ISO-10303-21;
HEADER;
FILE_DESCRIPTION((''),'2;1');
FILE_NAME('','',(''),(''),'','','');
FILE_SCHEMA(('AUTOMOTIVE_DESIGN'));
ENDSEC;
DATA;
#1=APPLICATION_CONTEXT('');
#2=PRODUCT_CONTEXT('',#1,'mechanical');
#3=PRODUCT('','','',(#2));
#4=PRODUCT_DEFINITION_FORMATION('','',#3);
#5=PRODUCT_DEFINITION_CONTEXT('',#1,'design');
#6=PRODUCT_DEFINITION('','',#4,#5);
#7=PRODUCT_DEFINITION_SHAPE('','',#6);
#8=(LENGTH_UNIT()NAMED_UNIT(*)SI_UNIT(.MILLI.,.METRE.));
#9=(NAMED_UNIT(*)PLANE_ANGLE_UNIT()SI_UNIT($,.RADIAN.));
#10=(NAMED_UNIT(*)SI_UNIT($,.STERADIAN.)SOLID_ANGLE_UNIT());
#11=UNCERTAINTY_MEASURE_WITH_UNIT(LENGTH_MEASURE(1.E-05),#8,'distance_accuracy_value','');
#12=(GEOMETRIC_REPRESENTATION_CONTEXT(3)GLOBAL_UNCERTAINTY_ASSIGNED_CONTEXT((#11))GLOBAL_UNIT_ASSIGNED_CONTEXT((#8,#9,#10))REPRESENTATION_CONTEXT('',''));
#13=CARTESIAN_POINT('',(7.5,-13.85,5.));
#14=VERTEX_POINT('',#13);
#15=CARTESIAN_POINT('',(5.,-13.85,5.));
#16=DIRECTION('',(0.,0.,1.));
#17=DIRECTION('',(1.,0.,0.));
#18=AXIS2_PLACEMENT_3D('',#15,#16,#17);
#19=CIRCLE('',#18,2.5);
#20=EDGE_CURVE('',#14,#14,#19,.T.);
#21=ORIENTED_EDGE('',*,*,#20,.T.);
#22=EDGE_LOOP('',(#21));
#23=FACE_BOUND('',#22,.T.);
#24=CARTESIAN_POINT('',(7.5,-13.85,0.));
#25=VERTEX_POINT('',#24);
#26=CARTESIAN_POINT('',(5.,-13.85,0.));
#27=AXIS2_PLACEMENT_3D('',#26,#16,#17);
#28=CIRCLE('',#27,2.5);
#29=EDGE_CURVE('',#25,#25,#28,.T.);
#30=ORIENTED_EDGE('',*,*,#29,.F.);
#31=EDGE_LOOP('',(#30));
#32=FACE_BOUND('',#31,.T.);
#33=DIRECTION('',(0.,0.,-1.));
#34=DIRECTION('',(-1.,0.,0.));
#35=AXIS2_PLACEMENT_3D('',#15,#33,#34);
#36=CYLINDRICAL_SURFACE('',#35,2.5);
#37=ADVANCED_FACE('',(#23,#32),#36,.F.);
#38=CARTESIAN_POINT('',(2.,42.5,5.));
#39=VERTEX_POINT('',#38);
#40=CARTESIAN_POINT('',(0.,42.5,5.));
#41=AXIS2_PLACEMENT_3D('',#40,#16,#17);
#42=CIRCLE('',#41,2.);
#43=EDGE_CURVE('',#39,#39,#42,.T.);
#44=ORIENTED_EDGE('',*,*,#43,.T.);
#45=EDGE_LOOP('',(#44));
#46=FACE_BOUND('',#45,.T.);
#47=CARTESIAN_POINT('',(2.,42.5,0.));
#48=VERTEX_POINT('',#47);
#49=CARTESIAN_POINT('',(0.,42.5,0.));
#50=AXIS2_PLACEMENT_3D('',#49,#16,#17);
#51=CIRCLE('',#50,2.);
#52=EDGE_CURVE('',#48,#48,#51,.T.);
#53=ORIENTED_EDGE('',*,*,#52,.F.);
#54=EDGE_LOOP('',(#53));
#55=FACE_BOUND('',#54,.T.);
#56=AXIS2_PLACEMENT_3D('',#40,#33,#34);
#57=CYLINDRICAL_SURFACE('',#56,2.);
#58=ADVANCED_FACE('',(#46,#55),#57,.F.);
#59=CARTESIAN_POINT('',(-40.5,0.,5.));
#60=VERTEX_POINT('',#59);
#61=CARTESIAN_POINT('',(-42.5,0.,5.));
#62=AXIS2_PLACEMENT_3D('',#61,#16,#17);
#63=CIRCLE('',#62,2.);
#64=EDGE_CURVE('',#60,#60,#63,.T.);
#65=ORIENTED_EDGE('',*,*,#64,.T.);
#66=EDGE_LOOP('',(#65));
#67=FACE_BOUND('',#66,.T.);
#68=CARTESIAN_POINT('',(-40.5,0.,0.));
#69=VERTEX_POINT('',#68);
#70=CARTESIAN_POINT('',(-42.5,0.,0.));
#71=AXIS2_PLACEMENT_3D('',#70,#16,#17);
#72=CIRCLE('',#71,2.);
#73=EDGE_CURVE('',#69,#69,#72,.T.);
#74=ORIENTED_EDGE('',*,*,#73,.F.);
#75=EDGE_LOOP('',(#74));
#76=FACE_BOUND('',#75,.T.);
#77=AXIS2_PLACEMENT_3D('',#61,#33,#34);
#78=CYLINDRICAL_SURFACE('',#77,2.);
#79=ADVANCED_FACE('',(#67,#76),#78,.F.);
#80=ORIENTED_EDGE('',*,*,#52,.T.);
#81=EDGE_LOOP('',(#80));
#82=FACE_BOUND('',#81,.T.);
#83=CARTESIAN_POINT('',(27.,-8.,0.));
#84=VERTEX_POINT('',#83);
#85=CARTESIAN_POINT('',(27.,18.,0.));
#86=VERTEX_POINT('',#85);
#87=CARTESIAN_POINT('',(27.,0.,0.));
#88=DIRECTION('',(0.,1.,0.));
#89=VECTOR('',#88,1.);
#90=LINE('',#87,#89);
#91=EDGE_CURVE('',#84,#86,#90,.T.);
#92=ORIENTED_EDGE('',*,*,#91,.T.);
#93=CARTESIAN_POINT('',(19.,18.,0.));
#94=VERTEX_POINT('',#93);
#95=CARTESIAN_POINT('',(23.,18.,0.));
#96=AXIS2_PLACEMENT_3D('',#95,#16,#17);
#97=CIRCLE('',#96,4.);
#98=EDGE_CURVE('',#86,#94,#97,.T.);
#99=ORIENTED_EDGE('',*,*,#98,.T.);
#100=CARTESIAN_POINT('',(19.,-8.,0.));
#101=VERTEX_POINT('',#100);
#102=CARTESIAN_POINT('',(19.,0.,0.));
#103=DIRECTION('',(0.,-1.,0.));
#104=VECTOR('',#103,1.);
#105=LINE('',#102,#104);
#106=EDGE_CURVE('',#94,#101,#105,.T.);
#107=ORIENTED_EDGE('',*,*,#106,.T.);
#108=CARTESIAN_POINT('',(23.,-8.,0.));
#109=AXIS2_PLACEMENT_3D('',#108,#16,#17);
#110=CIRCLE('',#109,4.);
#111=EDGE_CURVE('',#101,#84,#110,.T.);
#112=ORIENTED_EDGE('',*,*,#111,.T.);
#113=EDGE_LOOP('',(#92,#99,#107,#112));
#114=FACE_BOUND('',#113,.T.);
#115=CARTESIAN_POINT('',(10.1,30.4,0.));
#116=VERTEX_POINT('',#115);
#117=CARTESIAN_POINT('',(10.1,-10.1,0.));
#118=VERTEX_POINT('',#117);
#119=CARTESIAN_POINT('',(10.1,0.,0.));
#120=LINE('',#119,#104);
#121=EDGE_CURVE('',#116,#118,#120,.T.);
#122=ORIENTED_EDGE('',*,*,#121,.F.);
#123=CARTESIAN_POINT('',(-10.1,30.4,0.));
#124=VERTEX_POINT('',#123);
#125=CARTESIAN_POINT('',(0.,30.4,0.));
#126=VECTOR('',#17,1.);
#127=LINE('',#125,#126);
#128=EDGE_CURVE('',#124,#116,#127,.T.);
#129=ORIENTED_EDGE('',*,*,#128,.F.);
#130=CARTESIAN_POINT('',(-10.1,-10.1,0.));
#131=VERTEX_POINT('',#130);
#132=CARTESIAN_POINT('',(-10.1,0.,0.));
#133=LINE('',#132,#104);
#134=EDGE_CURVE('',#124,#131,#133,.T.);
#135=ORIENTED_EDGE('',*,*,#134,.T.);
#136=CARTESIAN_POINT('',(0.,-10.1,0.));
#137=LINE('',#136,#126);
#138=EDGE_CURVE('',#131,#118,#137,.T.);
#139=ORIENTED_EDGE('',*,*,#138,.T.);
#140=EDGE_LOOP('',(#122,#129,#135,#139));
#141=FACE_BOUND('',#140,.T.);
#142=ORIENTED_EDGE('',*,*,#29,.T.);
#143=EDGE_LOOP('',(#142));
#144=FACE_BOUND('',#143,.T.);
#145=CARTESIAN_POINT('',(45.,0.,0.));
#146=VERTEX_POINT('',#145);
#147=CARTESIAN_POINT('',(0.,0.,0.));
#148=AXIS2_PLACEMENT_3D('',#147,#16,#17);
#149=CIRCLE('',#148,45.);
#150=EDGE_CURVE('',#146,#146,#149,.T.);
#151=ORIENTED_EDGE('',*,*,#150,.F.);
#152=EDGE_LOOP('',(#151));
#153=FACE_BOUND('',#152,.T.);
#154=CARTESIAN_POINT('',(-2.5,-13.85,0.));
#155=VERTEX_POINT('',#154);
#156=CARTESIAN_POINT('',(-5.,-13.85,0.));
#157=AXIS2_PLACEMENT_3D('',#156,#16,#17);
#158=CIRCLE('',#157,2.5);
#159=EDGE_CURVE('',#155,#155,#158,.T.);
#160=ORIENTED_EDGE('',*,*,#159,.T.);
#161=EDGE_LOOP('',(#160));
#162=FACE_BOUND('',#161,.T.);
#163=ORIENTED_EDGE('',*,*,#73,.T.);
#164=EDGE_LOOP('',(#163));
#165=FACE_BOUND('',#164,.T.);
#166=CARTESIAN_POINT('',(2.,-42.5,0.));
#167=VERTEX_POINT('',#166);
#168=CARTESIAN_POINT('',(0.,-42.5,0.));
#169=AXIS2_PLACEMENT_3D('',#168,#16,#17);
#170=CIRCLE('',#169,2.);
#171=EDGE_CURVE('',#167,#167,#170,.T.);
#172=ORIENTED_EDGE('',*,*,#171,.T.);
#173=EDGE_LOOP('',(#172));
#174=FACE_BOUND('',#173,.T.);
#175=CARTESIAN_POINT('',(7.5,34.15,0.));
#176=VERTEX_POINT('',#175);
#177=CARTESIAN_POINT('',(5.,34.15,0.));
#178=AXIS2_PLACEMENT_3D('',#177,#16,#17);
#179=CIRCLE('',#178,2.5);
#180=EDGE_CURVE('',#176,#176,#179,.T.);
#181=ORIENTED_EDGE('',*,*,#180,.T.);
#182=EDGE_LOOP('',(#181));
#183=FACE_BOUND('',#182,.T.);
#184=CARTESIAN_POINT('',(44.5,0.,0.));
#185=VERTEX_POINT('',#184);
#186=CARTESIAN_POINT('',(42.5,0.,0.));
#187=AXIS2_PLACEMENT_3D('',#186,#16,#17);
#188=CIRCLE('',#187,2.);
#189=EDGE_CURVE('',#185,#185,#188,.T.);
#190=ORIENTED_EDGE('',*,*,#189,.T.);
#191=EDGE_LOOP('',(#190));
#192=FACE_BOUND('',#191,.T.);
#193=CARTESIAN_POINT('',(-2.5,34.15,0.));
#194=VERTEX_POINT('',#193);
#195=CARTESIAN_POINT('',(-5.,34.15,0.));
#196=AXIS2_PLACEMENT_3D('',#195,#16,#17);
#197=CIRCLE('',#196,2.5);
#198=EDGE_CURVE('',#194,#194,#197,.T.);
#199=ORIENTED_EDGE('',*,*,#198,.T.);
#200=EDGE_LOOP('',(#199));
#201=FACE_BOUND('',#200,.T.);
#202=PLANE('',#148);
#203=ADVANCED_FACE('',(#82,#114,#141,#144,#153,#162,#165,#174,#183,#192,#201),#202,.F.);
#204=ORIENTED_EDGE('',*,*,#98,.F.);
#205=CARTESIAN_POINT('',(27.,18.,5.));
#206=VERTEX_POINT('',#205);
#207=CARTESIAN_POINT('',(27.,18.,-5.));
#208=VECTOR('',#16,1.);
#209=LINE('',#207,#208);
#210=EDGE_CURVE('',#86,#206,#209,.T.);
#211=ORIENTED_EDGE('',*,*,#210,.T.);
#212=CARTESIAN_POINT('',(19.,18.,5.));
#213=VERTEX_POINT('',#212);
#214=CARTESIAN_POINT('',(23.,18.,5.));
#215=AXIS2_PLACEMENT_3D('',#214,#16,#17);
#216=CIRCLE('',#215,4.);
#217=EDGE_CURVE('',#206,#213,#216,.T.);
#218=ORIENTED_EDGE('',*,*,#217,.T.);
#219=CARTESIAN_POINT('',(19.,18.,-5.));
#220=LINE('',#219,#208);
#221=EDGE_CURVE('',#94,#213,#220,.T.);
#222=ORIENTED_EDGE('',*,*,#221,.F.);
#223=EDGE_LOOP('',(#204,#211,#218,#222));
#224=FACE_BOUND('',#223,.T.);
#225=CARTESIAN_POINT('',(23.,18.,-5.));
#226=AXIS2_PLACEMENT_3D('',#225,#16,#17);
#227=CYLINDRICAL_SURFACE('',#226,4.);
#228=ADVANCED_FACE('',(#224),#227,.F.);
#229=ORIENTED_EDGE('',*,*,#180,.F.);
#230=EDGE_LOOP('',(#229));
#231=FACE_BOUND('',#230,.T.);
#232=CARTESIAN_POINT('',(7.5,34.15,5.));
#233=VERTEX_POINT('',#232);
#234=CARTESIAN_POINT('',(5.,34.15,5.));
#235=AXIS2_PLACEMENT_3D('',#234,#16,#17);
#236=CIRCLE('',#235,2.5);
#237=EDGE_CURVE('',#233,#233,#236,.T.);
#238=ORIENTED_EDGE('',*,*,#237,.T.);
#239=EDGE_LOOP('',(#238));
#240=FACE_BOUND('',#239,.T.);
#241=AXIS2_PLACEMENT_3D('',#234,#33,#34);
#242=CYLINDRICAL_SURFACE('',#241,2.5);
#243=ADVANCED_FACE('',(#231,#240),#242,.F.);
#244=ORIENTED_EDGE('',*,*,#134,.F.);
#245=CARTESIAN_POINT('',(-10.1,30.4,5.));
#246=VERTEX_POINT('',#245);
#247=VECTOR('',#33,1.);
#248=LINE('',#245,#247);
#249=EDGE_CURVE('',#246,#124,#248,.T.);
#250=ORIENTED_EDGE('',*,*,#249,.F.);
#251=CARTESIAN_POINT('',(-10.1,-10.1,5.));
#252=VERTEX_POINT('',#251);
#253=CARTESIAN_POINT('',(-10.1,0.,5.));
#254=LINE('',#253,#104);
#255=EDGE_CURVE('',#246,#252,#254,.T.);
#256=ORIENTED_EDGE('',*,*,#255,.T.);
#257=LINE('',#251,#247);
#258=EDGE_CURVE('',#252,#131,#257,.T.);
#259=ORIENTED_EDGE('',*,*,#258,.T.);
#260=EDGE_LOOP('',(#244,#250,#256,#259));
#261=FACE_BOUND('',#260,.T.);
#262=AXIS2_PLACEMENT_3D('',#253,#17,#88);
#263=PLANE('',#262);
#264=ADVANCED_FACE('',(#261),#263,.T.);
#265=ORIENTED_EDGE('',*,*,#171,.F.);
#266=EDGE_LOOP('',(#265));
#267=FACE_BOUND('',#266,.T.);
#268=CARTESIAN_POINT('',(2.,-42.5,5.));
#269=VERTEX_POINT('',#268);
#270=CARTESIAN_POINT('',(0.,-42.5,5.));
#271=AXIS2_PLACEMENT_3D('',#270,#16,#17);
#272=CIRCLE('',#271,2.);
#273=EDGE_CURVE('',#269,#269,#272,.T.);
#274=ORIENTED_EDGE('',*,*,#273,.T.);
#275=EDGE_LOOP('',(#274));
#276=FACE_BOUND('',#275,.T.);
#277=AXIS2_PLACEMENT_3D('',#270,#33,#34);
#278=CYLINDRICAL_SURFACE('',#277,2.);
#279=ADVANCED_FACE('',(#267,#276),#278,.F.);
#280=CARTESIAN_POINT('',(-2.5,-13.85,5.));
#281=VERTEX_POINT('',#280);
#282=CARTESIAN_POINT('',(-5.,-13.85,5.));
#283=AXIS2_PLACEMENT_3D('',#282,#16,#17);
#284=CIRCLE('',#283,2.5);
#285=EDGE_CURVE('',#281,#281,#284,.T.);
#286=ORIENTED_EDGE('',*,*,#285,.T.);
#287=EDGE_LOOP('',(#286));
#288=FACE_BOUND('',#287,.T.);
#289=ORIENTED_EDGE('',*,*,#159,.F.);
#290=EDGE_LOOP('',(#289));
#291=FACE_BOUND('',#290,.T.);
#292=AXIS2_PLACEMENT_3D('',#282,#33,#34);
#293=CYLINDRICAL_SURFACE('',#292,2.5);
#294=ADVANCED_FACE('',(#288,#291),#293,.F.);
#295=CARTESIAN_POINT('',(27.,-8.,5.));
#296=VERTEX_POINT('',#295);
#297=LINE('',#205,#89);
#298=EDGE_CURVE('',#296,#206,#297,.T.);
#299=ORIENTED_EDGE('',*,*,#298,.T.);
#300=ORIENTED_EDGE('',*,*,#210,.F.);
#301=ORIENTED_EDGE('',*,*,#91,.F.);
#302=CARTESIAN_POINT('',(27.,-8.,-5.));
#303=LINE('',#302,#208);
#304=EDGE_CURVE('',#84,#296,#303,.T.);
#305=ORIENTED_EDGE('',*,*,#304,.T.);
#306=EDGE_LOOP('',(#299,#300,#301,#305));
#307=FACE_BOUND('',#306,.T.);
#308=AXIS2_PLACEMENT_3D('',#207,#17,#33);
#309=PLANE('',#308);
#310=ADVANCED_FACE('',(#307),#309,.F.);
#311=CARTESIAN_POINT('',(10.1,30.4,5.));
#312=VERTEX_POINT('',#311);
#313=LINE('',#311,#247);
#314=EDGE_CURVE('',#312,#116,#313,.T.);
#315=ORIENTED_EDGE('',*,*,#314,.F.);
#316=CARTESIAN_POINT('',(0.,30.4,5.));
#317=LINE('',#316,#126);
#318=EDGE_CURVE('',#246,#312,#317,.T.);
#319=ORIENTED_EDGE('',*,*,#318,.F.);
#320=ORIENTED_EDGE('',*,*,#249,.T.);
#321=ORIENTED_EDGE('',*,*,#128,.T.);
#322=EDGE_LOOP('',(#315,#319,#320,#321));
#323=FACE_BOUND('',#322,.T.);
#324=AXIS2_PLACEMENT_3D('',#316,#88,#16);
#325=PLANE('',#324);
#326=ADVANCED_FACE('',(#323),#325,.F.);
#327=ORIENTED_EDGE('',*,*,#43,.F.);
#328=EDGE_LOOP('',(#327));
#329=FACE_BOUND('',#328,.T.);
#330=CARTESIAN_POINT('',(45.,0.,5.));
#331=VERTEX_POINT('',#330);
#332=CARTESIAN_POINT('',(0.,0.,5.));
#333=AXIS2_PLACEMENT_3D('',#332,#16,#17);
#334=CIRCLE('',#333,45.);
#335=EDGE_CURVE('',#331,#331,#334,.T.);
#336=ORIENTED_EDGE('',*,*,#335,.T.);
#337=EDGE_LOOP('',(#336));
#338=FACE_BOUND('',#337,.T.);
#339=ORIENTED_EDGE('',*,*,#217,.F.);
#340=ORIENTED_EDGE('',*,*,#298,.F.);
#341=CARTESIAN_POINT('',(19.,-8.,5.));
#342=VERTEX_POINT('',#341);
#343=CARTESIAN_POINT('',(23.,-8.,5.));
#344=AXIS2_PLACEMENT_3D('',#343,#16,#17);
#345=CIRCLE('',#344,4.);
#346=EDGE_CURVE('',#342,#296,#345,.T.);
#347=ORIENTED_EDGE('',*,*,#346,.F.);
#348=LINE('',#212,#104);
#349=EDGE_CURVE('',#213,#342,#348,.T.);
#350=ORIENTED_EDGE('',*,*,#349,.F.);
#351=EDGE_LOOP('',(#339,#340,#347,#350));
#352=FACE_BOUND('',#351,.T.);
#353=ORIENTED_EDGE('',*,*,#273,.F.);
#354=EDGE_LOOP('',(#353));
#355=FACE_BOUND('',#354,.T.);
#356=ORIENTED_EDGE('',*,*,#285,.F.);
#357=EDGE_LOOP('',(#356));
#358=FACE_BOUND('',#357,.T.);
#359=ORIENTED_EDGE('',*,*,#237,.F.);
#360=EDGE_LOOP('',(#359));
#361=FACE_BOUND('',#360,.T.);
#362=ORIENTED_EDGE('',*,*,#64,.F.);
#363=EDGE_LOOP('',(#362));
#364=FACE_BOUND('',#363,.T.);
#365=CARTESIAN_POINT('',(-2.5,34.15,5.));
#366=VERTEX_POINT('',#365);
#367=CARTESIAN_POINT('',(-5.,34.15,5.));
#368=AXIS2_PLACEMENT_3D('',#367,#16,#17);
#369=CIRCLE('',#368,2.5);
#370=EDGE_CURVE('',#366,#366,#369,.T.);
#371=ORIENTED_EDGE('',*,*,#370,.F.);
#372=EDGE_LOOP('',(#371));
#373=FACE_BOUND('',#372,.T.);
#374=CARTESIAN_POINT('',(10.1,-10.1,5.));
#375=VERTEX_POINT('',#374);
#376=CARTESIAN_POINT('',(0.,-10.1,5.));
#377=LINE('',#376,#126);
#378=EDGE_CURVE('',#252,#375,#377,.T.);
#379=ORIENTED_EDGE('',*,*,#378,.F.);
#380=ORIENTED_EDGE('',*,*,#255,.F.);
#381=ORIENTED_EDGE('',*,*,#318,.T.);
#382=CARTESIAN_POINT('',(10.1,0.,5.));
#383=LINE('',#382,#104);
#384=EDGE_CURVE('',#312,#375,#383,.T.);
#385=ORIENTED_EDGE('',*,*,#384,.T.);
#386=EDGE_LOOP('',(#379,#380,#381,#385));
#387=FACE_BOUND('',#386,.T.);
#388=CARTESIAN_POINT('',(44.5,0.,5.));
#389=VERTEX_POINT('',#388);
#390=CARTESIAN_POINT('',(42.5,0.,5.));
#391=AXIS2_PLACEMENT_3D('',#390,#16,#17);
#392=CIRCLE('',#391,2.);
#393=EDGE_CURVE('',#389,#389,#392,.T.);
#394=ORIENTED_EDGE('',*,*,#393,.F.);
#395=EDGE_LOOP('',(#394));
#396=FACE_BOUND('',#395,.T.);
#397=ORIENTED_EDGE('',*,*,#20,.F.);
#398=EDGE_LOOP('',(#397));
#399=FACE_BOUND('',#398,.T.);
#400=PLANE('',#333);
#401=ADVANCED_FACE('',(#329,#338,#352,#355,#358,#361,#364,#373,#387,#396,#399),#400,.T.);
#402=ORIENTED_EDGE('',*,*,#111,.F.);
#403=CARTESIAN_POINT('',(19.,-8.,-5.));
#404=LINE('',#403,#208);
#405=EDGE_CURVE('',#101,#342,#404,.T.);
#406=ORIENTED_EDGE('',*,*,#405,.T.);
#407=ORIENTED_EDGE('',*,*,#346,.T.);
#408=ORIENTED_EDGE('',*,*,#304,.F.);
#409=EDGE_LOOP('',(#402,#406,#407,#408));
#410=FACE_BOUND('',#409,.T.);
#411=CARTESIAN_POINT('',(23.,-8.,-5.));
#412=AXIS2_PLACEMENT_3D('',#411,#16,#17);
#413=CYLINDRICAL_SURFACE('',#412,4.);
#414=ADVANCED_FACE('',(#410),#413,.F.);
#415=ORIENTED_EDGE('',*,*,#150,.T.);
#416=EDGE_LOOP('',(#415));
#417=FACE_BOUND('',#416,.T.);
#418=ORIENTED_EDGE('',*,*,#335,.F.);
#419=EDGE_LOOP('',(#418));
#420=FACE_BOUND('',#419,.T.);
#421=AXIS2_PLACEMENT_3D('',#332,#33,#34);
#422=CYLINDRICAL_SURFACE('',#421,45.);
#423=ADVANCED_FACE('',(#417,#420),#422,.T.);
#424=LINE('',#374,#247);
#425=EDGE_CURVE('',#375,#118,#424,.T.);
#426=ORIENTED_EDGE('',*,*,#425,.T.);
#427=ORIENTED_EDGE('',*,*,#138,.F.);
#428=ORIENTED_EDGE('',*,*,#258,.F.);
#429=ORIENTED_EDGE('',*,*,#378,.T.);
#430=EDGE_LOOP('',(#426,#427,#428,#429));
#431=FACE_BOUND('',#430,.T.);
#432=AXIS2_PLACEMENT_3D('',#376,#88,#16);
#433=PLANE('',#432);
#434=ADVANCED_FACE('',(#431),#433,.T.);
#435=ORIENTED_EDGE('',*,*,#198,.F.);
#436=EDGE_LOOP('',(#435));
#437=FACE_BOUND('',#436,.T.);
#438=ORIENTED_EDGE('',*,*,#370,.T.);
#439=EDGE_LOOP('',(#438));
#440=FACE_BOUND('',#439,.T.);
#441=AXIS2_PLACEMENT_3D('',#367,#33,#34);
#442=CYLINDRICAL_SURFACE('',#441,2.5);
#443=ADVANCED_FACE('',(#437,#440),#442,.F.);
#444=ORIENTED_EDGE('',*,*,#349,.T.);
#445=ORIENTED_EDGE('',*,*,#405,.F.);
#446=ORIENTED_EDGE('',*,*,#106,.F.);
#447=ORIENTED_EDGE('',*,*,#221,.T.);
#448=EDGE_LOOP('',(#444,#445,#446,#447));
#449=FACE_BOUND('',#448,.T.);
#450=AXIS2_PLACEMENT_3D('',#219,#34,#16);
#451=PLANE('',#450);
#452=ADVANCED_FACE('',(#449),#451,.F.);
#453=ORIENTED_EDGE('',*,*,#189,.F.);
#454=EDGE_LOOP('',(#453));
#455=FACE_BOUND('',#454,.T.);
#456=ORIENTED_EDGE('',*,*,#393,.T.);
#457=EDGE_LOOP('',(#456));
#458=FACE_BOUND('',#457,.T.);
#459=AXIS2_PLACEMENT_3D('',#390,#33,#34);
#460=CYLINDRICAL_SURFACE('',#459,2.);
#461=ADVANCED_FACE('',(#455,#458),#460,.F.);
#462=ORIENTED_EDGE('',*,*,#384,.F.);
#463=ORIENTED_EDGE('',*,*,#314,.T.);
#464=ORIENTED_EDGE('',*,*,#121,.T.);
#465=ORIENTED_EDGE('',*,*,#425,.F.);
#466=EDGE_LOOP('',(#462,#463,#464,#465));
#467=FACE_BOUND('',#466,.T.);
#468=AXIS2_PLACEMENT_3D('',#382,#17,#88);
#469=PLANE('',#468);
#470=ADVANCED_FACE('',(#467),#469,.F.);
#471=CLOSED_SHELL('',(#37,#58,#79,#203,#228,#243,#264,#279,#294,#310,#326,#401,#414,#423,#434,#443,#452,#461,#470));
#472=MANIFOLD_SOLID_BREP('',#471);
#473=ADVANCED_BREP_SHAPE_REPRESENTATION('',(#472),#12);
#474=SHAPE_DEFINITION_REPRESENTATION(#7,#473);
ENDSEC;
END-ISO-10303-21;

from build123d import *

# Parameters (mm, degrees)
SKETCH1_R           = 45
SKETCH1_R_2         = 2
SKETCH1_R_3         = 2.5
SKETCH1_W           = 20.2
SKETCH1_H           = 40.5
BOSS_EXTRUDE1_DEPTH = 5
CUT_EXTRUDE1_DEPTH  = 10


with BuildPart() as part:
    # Sketch1 → Boss-Extrude1 (new body)
    with BuildSketch(Plane.XY):
        Circle(SKETCH1_R)
        with Locations((0, 42.5)):
            Circle(SKETCH1_R_2, mode=Mode.SUBTRACT)
        with Locations((-42.5, 0)):
            Circle(SKETCH1_R_2, mode=Mode.SUBTRACT)
        with Locations((0, -42.5)):
            Circle(SKETCH1_R_2, mode=Mode.SUBTRACT)
        with Locations((42.5, 0)):
            Circle(SKETCH1_R_2, mode=Mode.SUBTRACT)
        with Locations((-5, -13.85)):
            Circle(SKETCH1_R_3, mode=Mode.SUBTRACT)
        with Locations((5, -13.85)):
            Circle(SKETCH1_R_3, mode=Mode.SUBTRACT)
        with Locations((5, 34.15)):
            Circle(SKETCH1_R_3, mode=Mode.SUBTRACT)
        with Locations((-5, 34.15)):
            Circle(SKETCH1_R_3, mode=Mode.SUBTRACT)
        with Locations((0, 10.15)):
            Rectangle(SKETCH1_W, SKETCH1_H, mode=Mode.SUBTRACT)
    extrude(amount=BOSS_EXTRUDE1_DEPTH)

    # Sketch2 → Cut-Extrude1 (cut)
    with BuildSketch(Plane.XY.offset(5)):
        with BuildLine():
            Line((27, 18), (27, -8))
            ThreePointArc((27, -8), (23, -12), (19, -8))
            Line((19, -8), (19, 18))
            ThreePointArc((19, 18), (23, 22), (27, 18))
        make_face()
    extrude(amount=-CUT_EXTRUDE1_DEPTH, mode=Mode.SUBTRACT)


solid = part.part
